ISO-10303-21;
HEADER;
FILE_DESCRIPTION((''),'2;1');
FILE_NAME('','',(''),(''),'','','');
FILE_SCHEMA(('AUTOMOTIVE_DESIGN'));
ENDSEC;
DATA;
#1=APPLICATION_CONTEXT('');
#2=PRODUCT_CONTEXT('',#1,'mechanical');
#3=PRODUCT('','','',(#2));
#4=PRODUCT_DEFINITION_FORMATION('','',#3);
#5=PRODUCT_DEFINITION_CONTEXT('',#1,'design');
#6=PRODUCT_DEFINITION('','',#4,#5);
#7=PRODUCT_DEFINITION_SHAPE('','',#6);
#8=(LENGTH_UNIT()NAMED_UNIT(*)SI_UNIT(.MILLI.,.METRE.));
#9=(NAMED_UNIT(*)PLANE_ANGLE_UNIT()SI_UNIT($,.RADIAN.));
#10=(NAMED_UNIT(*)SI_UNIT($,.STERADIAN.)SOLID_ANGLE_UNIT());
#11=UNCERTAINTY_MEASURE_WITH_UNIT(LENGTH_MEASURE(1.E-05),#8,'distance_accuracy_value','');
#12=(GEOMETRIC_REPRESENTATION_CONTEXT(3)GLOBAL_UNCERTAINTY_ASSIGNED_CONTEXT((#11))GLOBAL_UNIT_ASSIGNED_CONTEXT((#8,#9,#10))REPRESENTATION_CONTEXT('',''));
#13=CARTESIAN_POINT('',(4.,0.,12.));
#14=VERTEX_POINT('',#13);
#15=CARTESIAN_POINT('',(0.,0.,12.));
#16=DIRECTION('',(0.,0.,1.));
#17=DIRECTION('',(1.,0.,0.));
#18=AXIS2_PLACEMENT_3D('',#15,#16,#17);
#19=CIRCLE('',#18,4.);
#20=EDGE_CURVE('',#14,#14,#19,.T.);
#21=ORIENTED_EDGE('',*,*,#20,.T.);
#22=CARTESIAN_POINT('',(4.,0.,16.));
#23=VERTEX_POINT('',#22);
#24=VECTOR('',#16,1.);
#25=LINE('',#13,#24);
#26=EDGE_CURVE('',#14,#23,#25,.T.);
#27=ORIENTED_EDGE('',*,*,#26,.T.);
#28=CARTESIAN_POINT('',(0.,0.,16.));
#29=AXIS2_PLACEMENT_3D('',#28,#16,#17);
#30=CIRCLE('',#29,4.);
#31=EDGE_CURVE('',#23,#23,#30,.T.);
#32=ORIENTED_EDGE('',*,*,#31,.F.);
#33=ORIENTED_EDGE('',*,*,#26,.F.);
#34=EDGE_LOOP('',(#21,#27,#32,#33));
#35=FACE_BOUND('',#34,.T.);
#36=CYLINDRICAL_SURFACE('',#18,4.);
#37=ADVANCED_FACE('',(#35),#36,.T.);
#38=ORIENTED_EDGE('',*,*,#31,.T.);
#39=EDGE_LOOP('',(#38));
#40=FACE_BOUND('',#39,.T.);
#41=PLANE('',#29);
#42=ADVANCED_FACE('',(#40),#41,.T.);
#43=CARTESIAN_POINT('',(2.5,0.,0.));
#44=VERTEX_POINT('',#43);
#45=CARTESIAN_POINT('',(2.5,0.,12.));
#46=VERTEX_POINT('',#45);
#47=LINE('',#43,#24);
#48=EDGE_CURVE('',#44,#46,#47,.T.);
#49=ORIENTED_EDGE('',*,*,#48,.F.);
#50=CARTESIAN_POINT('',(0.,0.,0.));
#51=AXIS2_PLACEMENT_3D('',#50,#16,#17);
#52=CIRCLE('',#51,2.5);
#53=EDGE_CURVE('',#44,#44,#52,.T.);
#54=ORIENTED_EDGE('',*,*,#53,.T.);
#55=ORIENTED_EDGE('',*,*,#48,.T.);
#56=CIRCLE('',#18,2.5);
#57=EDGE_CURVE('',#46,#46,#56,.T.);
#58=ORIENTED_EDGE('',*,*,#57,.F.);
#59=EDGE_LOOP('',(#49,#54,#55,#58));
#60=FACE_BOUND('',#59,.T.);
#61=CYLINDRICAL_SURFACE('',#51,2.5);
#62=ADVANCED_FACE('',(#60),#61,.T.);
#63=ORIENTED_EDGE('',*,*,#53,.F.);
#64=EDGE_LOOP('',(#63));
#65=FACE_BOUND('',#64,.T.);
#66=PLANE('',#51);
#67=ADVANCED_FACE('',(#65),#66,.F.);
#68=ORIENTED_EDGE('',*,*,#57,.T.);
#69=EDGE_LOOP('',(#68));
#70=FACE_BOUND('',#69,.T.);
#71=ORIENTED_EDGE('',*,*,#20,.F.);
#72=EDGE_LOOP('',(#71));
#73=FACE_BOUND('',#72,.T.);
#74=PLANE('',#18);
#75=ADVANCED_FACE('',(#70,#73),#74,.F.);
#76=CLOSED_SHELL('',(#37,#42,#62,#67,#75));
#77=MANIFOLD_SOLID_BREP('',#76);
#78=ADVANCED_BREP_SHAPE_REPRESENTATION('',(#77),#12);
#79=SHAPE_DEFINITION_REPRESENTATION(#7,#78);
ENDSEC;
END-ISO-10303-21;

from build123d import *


with BuildPart() as part:
    # Sketch → Revolution (revolve)
    with BuildSketch(Plane.XZ):
        Polygon((0, 0), (2.5, 0), (2.5, 12), (4, 12), (4, 16), (0, 16), align=None)
    revolve(axis=Axis((0, 0, 0), (0, 0, 1)))


solid = part.part
